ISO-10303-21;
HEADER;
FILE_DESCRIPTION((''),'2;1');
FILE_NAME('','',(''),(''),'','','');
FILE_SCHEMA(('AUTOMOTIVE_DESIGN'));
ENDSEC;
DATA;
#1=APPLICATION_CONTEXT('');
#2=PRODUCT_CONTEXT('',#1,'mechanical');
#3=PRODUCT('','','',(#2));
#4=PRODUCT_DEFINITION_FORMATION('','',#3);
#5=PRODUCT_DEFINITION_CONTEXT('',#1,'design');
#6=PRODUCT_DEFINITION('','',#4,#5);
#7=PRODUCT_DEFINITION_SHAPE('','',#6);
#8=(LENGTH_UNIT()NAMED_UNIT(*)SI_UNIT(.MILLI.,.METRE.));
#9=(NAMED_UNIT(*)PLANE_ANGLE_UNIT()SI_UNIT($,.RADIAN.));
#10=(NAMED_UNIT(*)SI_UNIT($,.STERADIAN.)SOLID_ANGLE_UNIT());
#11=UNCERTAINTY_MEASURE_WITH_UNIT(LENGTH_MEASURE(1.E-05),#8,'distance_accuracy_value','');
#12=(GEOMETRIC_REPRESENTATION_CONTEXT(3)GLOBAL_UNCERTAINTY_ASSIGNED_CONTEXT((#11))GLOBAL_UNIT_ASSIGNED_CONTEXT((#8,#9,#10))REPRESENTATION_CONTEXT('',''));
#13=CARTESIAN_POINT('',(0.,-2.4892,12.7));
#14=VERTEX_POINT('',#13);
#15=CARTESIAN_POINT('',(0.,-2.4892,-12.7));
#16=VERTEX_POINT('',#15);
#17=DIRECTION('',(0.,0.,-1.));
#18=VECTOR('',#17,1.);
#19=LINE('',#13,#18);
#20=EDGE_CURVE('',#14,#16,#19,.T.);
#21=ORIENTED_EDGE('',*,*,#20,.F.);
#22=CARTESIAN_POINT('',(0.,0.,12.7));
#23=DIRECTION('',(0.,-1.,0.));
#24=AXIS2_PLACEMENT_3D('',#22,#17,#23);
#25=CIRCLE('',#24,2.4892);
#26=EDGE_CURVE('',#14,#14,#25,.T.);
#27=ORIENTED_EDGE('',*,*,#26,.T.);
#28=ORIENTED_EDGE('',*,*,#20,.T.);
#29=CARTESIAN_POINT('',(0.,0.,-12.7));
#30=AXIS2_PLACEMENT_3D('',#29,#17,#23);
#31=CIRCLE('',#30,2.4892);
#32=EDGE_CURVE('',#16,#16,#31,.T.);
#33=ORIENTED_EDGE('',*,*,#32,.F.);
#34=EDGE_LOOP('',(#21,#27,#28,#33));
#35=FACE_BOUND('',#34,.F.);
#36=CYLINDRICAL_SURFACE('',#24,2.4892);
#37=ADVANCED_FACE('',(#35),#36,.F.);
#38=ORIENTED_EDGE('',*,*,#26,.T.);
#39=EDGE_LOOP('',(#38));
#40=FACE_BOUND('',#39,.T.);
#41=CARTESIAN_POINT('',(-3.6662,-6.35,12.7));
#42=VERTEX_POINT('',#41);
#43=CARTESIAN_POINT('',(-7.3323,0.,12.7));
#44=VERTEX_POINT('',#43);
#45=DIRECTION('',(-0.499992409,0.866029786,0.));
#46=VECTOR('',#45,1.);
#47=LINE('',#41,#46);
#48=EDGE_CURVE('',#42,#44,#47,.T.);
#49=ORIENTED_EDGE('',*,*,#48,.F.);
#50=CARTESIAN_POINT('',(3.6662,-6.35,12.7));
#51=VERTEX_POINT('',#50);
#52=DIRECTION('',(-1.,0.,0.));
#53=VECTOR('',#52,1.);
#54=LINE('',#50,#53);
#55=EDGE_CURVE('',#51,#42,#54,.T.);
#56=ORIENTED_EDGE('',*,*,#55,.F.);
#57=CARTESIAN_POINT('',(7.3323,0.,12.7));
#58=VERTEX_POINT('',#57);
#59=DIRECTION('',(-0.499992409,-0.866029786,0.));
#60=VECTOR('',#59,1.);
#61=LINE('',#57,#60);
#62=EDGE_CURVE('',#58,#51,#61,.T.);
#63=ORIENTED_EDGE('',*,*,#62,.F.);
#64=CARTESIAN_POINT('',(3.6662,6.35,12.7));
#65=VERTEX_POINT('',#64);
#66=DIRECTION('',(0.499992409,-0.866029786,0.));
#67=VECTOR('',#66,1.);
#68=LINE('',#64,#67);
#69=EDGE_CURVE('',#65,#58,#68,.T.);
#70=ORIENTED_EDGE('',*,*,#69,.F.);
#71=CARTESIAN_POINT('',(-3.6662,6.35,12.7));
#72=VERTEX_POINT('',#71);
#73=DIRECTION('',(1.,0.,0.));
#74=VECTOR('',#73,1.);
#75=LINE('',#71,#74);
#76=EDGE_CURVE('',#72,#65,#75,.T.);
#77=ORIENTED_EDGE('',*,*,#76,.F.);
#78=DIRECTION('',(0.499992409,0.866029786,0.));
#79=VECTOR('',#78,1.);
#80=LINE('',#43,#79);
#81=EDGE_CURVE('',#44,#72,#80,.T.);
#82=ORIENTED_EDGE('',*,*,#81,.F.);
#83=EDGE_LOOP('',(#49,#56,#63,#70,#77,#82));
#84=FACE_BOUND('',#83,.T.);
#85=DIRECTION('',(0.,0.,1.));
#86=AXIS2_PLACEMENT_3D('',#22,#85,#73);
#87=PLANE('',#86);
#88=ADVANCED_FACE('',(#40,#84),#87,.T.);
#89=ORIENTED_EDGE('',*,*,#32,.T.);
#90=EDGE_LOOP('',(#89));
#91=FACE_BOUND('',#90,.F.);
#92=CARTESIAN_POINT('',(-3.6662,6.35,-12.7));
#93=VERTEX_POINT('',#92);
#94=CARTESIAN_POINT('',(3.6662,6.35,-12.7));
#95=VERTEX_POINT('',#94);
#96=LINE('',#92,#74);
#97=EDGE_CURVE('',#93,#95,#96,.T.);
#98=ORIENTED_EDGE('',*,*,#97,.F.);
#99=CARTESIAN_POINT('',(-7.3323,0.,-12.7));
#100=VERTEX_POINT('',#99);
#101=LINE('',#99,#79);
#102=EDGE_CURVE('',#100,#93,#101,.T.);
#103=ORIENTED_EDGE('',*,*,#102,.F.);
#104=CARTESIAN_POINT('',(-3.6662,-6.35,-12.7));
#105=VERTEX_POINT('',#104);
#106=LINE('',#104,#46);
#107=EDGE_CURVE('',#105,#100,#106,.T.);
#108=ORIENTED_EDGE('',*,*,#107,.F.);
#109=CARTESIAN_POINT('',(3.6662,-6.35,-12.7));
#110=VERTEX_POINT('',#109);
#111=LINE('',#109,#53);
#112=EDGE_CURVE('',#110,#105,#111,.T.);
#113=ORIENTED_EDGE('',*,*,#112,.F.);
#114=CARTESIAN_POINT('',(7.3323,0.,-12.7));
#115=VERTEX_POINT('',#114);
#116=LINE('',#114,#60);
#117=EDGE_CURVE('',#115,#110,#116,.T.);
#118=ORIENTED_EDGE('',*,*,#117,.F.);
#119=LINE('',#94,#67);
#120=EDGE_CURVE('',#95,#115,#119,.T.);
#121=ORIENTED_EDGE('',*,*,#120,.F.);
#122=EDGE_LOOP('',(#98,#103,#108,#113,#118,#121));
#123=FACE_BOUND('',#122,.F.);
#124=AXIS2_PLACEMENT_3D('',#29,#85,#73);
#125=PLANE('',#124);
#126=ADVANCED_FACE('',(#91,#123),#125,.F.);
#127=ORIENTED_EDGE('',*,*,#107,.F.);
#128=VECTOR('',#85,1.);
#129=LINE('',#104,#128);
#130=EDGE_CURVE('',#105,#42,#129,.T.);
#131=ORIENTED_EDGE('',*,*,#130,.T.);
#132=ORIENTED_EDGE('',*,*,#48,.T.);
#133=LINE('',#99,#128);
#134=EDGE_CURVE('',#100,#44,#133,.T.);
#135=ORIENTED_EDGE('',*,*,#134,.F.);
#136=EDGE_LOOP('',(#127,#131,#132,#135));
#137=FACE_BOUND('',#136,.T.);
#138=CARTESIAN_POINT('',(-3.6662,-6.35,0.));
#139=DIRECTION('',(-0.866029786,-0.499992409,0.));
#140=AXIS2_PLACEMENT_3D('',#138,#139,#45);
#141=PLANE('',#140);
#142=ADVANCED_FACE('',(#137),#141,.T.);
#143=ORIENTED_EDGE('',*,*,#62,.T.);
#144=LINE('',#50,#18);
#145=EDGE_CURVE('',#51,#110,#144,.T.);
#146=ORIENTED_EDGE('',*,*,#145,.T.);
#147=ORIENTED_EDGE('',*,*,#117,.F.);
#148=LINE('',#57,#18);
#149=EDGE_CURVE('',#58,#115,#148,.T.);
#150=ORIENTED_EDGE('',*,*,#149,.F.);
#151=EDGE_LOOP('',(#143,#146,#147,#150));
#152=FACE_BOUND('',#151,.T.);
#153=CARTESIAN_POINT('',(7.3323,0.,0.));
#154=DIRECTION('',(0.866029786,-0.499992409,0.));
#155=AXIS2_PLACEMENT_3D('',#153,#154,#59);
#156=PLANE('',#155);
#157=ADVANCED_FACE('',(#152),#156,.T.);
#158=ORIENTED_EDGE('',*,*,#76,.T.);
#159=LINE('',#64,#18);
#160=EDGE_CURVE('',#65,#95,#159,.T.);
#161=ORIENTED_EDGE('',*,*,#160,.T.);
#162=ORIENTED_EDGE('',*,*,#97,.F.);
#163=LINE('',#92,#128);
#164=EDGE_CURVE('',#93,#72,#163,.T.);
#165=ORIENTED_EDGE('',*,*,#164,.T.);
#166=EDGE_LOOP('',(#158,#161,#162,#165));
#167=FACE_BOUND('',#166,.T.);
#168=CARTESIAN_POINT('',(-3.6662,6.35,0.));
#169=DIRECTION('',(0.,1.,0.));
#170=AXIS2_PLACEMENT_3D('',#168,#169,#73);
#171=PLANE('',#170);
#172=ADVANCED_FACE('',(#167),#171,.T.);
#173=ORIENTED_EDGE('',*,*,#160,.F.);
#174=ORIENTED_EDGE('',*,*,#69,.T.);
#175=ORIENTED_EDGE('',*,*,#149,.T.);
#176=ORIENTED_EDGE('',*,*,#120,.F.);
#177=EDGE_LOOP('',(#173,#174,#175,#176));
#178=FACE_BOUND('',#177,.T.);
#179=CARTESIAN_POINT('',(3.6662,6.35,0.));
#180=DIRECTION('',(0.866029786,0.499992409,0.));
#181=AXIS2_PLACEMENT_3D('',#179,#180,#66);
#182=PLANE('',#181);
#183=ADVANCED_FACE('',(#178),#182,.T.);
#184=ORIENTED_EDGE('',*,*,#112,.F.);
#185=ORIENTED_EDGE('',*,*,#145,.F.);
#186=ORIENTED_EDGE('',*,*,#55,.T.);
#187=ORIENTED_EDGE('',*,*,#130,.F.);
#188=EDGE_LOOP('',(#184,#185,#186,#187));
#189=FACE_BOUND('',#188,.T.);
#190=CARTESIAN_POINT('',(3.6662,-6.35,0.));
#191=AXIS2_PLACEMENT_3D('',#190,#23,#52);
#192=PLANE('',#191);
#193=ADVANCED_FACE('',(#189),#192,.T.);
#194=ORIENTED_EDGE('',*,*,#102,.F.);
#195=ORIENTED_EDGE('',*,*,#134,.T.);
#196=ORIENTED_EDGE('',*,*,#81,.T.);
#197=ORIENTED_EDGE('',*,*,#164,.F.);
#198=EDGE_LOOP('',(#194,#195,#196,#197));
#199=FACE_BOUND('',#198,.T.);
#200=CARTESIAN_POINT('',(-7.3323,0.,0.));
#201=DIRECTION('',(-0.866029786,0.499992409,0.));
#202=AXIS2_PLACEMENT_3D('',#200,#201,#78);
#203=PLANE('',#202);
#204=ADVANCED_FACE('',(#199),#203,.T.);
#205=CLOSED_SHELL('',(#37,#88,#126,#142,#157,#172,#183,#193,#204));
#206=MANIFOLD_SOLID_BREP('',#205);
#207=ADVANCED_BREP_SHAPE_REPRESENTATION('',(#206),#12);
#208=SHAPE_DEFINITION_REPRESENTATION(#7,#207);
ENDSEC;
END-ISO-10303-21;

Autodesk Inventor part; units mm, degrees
ref_plane "YZ Plane" through (0, 0, 0) normal (1, 0, 0) x (0, 1, 0)
ref_plane "XZ Plane" through (0, 0, 0) normal (0, 1, 0) x (-1, 0, 0)
ref_plane "XY Plane" through (0, 0, 0) normal (0, 0, 1) x (1, 0, 0)
sketch "Sketch1" plane through (0, 0, 0) normal (0, 0, 1) x (1, 0, 0)
  line L0 (-3.6662, 6.35) -> (3.6662, 6.35)
  line L1 (3.6662, 6.35) -> (7.3323, 0)
  line L2 (7.3323, 0) -> (3.6662, -6.35)
  line L3 (3.6662, -6.35) -> (-3.6662, -6.35)
  line L4 (-3.6662, -6.35) -> (-7.3323, 0)
  line L5 (-7.3323, 0) -> (-3.6662, 6.35)
  point P0 (0, 0)
  point P1 (0, 0)
  dimension "d0" = 12.7
extrude "Extrusion1" add sketch "Sketch1" along normal mid plane 25.4
sketch "Sketch2" plane through (0, 0, 12.7) normal (0, 0, 1) x (1, 0, 0)
  point P0 (0, 0)
  point P1 (0, 0)
hole "Hole1" at (0, 0, 12.7) direction (0, 0, -1) diameter 4.9784 end through all thread size "1/4-20 UNC" class "2B" standard "ANSI Unified Screw Threads"
properties part number "Hex Standoff 14-20 x1000" material "Aluminum 6061"
